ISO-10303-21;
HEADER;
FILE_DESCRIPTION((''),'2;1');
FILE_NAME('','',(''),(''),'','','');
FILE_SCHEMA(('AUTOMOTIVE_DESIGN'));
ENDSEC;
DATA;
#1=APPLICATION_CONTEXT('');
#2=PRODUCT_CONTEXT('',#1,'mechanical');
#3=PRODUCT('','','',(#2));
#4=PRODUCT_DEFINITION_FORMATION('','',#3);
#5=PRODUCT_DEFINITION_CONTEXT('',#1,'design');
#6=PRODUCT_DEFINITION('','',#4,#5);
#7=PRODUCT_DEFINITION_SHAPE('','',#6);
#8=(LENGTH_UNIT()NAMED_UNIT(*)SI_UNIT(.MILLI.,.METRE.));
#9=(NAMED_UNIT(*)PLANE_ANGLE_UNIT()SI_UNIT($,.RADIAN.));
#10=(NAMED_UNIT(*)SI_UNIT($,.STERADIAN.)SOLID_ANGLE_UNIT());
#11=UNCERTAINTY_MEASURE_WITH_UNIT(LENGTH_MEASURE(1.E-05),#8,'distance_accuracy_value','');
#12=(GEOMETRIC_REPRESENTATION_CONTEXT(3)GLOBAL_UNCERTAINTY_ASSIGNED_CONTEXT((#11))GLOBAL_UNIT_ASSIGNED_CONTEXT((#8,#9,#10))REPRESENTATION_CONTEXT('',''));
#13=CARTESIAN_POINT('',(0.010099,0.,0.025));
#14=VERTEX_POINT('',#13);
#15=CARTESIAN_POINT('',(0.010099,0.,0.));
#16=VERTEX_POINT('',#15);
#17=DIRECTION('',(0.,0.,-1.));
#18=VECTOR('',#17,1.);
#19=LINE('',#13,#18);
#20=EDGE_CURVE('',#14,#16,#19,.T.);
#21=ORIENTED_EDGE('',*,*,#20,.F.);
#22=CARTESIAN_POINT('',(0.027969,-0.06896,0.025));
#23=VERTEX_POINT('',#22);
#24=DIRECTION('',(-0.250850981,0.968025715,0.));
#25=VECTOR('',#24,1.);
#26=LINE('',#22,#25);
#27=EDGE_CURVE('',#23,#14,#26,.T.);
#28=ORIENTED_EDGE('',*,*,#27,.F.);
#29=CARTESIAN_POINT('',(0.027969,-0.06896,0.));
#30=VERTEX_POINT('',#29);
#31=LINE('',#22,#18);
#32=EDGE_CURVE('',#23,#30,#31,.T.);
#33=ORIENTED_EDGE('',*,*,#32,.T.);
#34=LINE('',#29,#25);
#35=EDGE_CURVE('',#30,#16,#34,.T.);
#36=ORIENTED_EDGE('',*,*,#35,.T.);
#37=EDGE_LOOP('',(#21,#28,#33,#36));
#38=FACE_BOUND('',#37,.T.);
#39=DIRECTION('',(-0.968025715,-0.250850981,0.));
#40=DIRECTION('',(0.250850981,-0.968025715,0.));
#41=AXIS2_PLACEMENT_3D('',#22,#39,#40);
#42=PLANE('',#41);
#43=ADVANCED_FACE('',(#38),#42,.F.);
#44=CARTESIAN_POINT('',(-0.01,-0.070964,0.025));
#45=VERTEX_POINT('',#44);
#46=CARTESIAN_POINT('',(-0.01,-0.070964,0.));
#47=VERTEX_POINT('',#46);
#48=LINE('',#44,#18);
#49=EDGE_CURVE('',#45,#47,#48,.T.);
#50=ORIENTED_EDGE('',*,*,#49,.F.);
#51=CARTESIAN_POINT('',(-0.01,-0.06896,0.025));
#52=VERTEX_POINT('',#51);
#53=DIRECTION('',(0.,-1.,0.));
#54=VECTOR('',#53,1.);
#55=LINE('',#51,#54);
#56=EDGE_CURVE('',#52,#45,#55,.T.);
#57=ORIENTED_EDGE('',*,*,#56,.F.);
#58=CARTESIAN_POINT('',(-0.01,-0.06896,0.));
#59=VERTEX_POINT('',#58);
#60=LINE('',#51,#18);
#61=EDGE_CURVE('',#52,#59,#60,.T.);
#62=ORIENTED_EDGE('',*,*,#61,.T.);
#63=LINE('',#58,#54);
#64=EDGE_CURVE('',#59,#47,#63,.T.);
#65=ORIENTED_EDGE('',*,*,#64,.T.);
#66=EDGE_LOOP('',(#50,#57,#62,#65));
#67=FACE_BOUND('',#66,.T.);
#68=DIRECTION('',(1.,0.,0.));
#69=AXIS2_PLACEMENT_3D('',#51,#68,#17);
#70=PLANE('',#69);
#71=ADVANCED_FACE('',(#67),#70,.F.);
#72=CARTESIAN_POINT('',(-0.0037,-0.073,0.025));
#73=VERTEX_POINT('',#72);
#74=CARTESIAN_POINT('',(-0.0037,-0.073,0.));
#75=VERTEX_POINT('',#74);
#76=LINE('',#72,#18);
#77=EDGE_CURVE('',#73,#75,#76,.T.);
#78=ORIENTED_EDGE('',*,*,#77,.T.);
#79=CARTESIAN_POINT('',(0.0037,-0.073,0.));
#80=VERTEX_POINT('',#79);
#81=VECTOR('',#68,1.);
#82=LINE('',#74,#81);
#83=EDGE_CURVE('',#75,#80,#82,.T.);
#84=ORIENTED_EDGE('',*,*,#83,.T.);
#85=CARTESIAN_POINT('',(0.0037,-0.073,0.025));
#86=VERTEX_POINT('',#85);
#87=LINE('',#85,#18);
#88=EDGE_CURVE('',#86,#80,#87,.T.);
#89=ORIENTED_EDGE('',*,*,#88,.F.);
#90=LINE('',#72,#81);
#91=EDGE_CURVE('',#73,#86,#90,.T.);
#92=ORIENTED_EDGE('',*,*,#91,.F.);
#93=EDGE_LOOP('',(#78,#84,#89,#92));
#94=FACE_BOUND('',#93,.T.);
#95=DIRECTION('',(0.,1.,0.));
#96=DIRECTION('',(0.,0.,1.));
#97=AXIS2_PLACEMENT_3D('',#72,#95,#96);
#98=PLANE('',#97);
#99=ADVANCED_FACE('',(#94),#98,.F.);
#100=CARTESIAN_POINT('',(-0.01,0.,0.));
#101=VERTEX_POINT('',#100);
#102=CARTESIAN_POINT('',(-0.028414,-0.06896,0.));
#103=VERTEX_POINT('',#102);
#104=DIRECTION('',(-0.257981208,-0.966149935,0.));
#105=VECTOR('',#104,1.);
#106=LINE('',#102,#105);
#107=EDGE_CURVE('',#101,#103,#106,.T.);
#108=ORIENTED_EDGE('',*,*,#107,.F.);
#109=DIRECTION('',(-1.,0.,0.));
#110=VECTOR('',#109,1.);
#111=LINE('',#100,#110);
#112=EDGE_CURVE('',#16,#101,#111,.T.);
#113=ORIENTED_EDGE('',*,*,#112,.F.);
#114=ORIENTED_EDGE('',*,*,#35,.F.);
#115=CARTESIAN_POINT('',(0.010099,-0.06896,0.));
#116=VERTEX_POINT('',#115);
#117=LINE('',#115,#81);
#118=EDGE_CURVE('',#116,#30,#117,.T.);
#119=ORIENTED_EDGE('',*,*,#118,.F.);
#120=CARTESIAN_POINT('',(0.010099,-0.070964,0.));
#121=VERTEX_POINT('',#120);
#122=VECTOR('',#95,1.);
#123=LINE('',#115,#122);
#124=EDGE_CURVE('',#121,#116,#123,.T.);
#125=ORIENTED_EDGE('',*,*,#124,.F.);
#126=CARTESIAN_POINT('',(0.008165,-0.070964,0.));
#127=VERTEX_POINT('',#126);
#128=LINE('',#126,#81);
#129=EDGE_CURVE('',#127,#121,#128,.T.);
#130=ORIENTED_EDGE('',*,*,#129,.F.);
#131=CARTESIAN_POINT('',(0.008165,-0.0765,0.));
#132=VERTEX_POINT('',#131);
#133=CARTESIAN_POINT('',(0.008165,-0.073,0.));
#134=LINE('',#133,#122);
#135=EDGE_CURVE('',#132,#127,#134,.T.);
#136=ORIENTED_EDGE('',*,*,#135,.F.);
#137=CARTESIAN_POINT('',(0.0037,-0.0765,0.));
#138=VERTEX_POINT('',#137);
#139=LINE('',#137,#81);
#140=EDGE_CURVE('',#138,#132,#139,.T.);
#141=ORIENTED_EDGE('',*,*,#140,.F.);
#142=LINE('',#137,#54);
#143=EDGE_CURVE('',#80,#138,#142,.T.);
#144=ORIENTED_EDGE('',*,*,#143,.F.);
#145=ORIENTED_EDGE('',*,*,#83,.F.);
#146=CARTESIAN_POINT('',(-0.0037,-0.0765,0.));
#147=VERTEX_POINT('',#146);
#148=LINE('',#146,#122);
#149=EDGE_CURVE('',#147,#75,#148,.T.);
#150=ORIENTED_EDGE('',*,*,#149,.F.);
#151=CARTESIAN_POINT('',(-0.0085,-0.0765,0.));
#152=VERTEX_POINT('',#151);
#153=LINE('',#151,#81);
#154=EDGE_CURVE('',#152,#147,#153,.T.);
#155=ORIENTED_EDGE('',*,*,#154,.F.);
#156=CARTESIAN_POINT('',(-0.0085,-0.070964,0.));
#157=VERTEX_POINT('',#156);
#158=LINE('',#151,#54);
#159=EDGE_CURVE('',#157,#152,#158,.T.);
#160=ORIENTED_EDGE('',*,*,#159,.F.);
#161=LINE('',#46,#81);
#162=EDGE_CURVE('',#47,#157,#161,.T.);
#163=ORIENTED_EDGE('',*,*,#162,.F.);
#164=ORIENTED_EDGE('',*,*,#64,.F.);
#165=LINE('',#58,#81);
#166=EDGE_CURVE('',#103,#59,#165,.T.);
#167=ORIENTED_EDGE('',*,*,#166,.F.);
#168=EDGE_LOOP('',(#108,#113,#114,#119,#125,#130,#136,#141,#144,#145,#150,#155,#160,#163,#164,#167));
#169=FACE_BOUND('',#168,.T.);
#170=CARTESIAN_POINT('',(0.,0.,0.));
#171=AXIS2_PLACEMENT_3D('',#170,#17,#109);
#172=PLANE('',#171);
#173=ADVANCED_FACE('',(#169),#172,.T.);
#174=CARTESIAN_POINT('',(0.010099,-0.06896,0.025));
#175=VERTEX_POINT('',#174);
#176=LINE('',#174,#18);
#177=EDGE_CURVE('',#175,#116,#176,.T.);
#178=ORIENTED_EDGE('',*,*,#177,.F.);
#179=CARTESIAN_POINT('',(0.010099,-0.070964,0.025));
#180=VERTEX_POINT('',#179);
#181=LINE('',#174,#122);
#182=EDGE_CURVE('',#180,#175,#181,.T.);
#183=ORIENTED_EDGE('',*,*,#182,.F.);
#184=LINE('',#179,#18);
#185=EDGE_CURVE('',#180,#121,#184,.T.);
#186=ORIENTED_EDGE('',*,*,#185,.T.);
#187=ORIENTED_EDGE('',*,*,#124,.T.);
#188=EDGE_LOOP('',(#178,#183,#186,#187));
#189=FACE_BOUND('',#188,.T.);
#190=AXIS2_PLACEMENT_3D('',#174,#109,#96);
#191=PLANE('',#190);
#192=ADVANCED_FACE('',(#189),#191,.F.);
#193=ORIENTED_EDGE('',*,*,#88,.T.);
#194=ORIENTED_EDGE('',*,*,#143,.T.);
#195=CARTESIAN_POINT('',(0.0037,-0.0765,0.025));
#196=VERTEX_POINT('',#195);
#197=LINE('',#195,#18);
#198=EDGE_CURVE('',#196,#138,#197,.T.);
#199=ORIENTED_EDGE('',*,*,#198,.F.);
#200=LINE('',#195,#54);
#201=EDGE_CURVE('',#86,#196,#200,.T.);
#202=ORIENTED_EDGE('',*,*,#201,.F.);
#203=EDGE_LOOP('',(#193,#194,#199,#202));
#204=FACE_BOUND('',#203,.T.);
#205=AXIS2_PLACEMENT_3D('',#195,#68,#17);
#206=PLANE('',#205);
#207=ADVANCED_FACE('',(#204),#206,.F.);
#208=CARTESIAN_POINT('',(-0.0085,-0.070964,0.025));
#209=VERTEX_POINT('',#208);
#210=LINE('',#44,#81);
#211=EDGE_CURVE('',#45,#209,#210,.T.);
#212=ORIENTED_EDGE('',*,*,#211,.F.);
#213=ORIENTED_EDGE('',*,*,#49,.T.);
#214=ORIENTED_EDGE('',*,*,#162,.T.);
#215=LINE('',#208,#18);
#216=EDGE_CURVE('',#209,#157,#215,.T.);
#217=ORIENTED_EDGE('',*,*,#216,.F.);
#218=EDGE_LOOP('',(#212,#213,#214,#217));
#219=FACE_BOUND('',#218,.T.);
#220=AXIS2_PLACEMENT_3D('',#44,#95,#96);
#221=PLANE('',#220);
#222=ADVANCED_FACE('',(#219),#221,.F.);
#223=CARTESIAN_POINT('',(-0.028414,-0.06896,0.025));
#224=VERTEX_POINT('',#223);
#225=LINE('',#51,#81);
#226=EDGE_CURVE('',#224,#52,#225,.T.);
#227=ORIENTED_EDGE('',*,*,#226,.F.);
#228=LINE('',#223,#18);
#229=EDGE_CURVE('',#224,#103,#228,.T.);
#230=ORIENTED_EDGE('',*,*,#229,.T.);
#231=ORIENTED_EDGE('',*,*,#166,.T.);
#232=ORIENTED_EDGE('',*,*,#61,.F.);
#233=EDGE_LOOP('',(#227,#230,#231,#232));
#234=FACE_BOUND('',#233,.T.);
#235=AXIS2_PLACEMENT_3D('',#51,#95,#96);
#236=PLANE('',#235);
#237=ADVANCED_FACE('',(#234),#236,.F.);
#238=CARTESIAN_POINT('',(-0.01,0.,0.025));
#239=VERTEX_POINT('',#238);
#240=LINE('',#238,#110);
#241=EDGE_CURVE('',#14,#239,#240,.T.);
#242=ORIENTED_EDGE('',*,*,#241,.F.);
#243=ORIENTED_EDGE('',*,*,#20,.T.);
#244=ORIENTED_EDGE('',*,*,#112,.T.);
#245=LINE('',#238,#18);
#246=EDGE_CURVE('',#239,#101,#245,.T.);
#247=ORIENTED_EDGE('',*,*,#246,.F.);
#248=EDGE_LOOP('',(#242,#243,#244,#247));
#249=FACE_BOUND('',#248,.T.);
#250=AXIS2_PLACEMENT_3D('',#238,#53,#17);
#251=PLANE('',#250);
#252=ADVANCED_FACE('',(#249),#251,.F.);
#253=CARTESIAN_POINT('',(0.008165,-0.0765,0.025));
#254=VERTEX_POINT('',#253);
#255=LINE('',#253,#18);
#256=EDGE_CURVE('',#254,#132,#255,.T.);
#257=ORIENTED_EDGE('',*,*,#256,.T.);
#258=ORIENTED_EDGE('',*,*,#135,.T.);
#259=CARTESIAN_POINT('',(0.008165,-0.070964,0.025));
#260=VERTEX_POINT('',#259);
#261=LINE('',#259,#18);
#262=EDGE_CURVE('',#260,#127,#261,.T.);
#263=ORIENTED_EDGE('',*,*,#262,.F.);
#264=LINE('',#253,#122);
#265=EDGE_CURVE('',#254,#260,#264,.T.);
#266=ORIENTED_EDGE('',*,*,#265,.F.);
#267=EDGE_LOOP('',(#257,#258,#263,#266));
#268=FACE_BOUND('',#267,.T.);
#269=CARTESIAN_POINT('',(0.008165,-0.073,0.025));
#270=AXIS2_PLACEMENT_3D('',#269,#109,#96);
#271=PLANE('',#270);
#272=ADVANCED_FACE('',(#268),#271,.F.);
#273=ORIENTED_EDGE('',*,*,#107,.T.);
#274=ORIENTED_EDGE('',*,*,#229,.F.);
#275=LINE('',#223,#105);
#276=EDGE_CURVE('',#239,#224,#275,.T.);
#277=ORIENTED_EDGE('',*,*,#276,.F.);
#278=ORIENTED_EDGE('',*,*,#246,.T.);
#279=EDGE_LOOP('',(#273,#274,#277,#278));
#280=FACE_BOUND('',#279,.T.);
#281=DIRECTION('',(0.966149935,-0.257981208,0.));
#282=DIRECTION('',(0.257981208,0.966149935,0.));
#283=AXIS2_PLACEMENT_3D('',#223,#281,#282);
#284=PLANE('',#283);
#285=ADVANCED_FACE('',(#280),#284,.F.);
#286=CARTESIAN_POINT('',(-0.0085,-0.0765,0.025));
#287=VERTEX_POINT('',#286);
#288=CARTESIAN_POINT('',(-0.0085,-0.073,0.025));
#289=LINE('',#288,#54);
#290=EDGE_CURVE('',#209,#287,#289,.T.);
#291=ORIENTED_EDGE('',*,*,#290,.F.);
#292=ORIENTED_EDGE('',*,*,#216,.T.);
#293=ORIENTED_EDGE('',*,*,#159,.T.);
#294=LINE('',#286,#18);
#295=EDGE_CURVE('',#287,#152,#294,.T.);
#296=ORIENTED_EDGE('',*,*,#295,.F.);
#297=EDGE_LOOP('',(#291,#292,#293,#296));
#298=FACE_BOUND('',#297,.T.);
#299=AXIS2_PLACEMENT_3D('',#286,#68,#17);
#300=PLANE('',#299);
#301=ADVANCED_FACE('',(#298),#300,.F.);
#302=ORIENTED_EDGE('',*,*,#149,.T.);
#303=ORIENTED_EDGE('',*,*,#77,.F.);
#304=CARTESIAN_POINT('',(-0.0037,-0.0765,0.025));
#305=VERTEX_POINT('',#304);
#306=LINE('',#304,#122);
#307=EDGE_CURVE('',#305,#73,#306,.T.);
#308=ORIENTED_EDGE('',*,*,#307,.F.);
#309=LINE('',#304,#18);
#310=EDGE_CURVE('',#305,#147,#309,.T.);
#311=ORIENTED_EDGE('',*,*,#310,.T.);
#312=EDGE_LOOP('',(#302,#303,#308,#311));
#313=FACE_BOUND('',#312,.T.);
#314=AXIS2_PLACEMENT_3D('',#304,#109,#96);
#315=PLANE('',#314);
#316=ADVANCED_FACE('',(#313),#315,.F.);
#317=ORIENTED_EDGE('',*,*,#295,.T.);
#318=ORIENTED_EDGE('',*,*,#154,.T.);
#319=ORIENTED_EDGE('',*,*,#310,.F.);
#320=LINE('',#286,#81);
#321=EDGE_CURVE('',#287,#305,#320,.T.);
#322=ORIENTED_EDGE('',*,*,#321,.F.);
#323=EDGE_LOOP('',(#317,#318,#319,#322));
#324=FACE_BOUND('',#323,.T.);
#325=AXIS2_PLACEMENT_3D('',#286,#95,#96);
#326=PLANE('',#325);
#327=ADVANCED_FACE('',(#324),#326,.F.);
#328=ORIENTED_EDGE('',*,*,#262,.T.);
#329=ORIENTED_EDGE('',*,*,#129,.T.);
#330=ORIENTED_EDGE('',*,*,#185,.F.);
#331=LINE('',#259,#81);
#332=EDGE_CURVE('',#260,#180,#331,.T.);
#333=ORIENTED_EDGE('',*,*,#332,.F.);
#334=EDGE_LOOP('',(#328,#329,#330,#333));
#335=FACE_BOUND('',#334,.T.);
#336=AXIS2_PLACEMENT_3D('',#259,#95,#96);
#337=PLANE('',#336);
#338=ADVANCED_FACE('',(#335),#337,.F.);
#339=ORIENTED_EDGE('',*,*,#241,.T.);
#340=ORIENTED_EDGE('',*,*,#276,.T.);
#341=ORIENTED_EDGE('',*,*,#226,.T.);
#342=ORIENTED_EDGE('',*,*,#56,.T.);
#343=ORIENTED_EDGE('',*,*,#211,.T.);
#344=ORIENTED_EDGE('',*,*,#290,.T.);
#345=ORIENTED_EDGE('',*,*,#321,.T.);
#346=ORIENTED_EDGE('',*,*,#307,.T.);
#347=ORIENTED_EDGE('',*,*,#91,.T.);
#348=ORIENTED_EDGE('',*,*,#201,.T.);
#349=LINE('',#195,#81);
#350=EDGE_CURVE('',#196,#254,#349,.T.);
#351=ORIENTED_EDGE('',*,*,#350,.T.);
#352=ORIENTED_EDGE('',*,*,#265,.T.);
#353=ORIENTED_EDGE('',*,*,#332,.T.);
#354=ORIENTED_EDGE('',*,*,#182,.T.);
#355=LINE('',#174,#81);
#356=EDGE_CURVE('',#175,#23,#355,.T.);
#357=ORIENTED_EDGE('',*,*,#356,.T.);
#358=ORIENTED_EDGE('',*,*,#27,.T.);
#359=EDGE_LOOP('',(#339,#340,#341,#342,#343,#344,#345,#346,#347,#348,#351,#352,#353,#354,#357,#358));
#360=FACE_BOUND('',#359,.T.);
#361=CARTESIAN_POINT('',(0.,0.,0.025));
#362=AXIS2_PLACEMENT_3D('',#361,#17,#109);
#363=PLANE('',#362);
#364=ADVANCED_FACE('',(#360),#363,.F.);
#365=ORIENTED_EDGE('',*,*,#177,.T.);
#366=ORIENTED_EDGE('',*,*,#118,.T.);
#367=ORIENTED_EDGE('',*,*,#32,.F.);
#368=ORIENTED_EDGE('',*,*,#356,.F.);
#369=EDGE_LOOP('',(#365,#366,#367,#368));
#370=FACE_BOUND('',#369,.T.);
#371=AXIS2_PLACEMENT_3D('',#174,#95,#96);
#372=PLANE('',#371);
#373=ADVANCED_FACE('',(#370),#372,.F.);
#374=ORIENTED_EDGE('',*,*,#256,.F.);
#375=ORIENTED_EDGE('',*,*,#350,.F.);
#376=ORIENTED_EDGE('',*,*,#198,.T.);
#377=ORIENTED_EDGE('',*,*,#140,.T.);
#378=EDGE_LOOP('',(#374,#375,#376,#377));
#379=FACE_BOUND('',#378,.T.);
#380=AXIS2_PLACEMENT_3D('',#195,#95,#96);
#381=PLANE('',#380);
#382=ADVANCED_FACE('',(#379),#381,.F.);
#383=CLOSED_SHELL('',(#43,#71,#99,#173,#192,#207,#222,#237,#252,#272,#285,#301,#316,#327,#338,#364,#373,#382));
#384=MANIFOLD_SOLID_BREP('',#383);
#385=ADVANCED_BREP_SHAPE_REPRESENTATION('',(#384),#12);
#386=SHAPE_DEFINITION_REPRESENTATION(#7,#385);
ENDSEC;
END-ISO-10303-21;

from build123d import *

# Parameters (mm, degrees)
BOSS_EXTRUDE1_DEPTH = 0.025


with BuildPart() as part:
    # Sketch1 → Boss-Extrude1 (new body)
    with BuildSketch(Plane.XY):
        Polygon((0.008165184, -0.070964452), (0.010099043, -0.070964452), (0.010099043, -0.068959778), (0.027969052, -0.068959778), (0.010099043, 0), (-0.01, 0), (-0.028413629, -0.068959778), (-0.01, -0.068959778), (-0.01, -0.070964452), (-0.0085, -0.070964452), (-0.0085, -0.072999999), (-0.0085, -0.076499999), (-0.0037, -0.076499999), (-0.0037, -0.072999999), (0.0037, -0.072999999), (0.0037, -0.076499999), (0.008165184, -0.076499999), (0.008165184, -0.072999999), align=None)
    extrude(amount=BOSS_EXTRUDE1_DEPTH)


solid = part.part
